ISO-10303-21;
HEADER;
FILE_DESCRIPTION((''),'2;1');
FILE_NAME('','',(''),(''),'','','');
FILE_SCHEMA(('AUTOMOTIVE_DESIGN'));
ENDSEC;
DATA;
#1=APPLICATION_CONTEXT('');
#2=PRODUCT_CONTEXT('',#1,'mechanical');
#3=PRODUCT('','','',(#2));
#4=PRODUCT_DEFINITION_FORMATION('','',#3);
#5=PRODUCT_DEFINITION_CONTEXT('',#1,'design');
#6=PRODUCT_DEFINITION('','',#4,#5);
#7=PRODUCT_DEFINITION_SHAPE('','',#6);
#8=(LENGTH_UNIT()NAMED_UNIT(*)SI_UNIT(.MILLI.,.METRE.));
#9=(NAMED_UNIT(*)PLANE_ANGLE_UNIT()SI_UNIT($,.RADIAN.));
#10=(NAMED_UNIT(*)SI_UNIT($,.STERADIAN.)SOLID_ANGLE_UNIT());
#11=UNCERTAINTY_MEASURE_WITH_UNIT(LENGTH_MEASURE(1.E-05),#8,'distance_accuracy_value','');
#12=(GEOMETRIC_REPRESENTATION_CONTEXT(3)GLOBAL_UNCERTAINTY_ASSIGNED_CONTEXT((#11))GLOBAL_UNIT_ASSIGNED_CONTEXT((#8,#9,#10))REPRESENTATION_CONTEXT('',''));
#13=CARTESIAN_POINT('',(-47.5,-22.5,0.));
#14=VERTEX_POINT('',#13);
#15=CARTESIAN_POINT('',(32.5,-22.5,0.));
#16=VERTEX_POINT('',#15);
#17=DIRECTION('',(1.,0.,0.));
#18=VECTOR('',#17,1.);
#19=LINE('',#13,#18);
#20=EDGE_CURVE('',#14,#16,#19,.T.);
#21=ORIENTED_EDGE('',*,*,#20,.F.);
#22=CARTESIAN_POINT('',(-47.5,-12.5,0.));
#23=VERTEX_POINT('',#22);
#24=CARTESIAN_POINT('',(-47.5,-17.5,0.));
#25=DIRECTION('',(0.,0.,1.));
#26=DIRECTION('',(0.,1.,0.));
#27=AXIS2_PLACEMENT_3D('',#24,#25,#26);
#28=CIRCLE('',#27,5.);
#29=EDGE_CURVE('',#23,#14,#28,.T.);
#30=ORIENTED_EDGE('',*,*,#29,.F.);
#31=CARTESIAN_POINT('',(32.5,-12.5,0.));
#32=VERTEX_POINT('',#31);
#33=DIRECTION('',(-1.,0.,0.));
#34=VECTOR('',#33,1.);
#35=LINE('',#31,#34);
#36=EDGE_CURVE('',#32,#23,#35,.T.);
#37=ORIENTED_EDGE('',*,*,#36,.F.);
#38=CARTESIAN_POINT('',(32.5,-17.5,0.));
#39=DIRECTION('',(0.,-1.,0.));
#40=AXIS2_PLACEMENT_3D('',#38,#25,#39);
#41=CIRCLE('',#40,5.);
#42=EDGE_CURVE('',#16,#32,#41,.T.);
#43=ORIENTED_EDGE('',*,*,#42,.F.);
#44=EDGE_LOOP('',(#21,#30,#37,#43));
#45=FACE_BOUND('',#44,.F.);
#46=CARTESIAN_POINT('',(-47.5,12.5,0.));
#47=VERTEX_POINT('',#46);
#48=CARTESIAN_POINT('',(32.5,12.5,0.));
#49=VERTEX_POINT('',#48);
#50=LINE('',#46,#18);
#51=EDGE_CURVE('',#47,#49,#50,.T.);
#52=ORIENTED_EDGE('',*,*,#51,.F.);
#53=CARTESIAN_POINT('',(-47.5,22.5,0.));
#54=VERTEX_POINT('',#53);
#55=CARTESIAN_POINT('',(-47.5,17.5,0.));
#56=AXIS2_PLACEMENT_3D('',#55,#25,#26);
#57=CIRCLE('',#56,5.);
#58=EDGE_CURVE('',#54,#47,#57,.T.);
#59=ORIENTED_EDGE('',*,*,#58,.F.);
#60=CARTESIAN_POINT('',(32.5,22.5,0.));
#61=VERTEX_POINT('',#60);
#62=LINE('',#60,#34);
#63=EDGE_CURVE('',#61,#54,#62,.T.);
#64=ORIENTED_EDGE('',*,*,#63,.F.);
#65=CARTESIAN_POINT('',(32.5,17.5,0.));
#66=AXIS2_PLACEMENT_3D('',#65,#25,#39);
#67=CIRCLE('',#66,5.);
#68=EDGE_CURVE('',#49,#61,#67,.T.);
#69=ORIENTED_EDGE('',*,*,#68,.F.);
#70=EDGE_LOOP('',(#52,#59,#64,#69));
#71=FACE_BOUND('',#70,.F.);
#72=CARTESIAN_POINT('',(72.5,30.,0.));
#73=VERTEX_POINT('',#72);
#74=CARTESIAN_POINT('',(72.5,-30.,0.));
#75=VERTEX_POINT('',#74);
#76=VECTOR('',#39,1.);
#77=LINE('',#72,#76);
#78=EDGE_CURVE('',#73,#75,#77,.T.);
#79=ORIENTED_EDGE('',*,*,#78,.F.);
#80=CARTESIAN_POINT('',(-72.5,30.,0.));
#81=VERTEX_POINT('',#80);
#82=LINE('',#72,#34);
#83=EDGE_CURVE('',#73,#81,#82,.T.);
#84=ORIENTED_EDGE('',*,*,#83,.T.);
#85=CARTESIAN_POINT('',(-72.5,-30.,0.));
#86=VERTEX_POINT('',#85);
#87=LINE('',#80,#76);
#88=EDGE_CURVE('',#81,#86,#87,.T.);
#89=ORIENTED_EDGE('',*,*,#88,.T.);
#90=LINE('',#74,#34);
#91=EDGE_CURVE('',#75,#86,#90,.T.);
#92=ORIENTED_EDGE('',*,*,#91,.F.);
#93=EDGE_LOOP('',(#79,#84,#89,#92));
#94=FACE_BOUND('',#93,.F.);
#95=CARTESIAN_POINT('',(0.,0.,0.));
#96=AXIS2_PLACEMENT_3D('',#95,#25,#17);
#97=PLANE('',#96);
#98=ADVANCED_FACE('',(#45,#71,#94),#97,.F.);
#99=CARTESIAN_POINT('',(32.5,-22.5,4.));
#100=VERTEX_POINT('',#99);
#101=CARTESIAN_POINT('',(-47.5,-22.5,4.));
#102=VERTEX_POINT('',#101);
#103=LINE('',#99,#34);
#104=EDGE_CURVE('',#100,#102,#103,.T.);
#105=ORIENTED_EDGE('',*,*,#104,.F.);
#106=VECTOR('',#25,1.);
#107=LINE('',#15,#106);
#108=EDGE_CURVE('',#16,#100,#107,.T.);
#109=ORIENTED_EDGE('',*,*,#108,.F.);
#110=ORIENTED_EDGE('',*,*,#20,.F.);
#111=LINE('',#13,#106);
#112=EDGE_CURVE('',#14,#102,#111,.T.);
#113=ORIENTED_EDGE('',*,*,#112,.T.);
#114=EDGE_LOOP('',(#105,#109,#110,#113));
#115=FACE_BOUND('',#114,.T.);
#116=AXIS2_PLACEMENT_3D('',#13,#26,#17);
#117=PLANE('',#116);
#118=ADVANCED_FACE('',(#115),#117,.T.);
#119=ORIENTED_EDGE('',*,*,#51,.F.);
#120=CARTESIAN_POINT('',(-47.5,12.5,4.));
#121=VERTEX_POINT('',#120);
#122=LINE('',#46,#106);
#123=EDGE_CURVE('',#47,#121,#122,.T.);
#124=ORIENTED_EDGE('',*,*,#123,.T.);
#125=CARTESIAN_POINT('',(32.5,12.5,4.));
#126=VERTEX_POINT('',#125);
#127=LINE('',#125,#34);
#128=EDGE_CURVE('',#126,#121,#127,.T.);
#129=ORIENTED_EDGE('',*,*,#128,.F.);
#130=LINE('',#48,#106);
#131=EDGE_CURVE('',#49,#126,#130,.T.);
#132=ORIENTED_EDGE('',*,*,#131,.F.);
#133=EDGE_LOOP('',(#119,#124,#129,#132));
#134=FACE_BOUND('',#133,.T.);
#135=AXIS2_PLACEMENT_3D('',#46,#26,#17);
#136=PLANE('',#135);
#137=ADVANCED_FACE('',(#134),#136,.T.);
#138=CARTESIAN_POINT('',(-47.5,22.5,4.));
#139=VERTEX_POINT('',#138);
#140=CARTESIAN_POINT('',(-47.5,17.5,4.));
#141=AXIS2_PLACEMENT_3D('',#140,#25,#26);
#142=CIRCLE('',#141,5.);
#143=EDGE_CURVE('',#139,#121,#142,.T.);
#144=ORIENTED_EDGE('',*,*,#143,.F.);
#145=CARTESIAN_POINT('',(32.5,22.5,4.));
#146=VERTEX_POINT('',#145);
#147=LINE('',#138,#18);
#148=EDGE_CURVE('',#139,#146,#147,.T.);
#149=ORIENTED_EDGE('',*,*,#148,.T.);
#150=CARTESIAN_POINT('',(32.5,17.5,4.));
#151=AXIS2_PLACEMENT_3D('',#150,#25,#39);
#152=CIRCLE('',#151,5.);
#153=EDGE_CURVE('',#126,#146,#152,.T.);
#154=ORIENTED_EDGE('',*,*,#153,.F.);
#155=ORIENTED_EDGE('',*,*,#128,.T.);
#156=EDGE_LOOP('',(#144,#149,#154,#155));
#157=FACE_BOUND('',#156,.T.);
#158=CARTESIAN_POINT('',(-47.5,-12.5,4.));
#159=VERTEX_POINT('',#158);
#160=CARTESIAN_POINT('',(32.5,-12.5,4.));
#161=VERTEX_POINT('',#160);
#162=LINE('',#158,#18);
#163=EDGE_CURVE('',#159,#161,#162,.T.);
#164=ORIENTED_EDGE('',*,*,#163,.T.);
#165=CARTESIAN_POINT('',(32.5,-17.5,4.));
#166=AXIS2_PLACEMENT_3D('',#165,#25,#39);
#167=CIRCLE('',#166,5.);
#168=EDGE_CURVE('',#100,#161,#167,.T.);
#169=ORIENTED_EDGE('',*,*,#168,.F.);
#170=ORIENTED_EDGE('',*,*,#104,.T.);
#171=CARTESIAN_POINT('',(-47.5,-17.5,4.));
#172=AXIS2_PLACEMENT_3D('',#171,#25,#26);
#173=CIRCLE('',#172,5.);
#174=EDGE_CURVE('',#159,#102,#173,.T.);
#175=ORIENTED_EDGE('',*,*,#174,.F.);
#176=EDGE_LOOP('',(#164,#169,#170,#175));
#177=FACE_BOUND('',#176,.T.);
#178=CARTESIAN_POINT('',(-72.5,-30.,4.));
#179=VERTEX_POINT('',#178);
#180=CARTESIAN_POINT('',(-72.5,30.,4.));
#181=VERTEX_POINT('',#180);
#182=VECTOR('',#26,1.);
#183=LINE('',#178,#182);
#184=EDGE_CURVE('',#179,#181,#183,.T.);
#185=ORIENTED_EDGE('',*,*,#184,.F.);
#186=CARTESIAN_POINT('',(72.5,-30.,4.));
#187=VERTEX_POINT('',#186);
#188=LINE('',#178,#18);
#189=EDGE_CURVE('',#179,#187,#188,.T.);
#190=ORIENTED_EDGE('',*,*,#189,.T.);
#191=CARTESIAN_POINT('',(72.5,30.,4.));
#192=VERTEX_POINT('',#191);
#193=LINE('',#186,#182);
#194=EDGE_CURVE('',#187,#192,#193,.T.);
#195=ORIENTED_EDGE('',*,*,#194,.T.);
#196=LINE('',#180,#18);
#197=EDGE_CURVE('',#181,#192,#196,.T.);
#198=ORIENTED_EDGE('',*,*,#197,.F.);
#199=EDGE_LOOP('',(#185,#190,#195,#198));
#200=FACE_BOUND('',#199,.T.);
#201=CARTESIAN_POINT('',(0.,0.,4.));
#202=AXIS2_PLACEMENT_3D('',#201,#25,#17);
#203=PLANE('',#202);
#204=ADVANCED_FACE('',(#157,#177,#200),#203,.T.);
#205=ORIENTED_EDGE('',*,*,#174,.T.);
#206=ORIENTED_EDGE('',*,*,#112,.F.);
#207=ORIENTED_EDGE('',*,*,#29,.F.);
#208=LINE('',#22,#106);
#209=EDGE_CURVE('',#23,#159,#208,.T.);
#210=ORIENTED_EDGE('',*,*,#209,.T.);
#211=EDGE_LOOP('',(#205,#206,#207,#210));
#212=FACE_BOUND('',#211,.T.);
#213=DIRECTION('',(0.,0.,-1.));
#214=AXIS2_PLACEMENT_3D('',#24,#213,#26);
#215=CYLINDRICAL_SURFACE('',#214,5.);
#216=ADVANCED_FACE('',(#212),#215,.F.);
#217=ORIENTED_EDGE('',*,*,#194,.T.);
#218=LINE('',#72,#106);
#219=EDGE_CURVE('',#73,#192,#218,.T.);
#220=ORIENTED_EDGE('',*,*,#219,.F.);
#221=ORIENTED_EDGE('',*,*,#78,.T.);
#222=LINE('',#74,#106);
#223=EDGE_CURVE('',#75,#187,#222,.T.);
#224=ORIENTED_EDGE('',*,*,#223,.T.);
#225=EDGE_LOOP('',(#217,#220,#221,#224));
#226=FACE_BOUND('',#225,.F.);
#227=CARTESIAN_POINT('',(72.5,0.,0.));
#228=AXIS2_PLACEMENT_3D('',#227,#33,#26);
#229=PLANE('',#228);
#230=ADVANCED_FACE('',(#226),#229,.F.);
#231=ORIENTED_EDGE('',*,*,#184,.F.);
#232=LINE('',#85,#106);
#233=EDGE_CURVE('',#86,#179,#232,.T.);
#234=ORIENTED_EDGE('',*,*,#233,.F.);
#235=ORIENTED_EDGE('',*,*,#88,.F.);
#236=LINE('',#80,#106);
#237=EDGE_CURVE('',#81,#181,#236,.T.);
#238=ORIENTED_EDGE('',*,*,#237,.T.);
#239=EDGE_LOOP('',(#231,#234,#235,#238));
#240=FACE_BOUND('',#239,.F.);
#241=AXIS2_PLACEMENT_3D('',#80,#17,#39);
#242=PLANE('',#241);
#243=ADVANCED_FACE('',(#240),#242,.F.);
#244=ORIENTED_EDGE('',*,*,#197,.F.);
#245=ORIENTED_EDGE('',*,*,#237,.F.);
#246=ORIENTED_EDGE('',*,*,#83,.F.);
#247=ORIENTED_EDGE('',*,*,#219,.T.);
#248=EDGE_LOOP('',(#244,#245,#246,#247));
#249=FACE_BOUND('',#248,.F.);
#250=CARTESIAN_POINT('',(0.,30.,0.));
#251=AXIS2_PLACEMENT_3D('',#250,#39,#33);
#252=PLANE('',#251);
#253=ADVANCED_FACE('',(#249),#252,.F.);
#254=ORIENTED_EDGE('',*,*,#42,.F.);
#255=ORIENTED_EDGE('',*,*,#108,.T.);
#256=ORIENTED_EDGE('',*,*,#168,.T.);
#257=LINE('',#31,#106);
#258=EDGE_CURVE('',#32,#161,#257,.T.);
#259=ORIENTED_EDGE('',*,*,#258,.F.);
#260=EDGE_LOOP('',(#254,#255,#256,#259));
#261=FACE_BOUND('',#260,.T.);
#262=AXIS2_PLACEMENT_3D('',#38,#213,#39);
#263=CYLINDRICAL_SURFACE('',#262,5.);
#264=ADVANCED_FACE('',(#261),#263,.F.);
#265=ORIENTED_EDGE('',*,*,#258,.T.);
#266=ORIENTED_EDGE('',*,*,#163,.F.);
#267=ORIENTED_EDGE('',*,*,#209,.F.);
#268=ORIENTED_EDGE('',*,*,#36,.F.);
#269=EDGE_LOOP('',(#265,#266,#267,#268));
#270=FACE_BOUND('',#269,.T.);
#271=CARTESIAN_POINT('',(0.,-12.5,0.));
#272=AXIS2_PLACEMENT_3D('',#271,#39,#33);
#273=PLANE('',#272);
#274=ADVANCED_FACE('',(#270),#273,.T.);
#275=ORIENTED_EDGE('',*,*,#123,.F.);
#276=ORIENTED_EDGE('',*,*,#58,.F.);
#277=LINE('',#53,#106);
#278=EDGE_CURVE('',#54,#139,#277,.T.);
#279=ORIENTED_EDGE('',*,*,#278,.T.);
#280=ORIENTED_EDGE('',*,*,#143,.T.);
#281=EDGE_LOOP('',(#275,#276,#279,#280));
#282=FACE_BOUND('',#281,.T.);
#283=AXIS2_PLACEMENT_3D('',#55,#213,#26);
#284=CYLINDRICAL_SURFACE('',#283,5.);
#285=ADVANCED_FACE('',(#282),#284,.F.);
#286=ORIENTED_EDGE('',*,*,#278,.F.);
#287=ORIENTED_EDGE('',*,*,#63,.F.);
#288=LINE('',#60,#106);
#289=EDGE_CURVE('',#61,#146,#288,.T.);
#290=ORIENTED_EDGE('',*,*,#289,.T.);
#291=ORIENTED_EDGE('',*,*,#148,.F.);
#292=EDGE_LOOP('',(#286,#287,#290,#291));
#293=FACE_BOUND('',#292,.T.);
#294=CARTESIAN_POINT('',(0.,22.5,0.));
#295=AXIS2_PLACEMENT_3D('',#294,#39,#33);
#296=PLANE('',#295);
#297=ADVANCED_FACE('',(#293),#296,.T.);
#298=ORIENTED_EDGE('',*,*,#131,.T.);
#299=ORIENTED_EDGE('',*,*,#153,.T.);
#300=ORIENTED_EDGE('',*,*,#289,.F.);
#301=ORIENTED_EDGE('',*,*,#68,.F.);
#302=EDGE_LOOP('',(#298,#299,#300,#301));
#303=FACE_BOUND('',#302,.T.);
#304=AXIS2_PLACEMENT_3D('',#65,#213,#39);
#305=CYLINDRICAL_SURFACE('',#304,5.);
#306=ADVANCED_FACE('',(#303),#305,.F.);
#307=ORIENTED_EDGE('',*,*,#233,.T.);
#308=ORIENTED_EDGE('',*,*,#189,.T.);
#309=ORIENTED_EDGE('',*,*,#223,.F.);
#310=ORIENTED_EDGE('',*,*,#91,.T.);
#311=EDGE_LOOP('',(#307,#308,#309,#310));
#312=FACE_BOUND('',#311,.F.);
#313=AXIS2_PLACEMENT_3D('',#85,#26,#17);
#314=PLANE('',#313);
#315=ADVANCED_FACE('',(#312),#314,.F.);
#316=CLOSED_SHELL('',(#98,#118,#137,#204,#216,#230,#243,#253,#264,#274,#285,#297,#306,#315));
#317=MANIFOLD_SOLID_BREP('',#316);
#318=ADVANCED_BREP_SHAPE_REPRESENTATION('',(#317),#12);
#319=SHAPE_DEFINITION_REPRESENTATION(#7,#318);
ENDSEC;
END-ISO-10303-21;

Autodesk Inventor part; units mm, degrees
ref_plane "YZ Plane" through (0, 0, 0) normal (1, 0, 0) x (0, 1, 0)
ref_plane "XZ Plane" through (0, 0, 0) normal (0, 1, 0) x (-1, 0, 0)
ref_plane "XY Plane" through (0, 0, 0) normal (0, 0, 1) x (1, 0, 0)
sketch "Sketch3" plane through (0, 0, 0) normal (0, 0, 1) x (1, 0, 0)
  line L0 (-101.5, 0) -> (101.5, 0) projected
  line L1 (0, -42) -> (0, 42) projected
  line L2 (-72.5, -30) -> (72.5, -30)
  line L3 (72.5, -30) -> (72.5, 30)
  line L4 (72.5, 30) -> (-72.5, 30)
  line L5 (-72.5, 30) -> (-72.5, -30)
  line L6 (-72.5, -30) -> (72.5, 30) construction
  line L7 (72.5, -30) -> (-72.5, 30) construction
  line L8 (-47.5, 17.5) -> (32.5, 17.5) construction
  line L9 (-47.5, 12.5) -> (32.5, 12.5)
  line L10 (32.5, 22.5) -> (-47.5, 22.5)
  arc A0 (-47.5, 22.5) -> (-47.5, 12.5) centre (-47.5, 17.5) ccw
  arc A1 (32.5, 12.5) -> (32.5, 22.5) centre (32.5, 17.5) ccw
  line L11 (-49.3038, -17.5) -> (32.5, -17.5) construction
  line L12 (-47.5, -22.5) -> (32.5, -22.5)
  line L13 (32.5, -12.5) -> (-47.5, -12.5)
  arc A2 (-47.5, -12.5) -> (-47.5, -22.5) centre (-47.5, -17.5) ccw
  arc A3 (32.5, -22.5) -> (32.5, -12.5) centre (32.5, -17.5) ccw
  point P0 (0, 0)
  dimension "d0" = 145
  dimension "d1" = 60
  dimension "d2" = 10
  dimension "d3" = 10
  dimension "d4" = 35
  dimension "d9" = 32.5
  dimension "d10" = 32.5
  dimension "d11" = 47.5
  dimension "d12" = 47.5
extrude "Extrusion1" add sketch "Sketch3" along normal blind 4 contours L5 L4 L1 L10 A0 L9 L0 | L0 L1 L13 A2 L12 L2 L5 | L1 L9 A1 L10 L4 L3 L0 | L0 L3 L2 L1 L12 A3 L13
equation "\"d3\" = d2"
equation "\"d10\" = d9"
equation "\"d12\" = d11"
equation "\"BendRadius\" = Thickness"
equation "\"BendReliefWidth\" = Thickness"
equation "\"BendReliefDepth\" = 0.5 * Thickness"
equation "\"CornerReliefSize\" = 4 * Thickness"
equation "\"MinimumRemnant\" = 2 * Thickness"
equation "\"TransitionRadius\" = BendRadius"
equation "\"JacobiRadiusSize\" = BendRadius"
equation "\"GapSize\" = Thickness"
equation "\"Thickness\" = 0.5"
properties part number "Motor holder slider"
